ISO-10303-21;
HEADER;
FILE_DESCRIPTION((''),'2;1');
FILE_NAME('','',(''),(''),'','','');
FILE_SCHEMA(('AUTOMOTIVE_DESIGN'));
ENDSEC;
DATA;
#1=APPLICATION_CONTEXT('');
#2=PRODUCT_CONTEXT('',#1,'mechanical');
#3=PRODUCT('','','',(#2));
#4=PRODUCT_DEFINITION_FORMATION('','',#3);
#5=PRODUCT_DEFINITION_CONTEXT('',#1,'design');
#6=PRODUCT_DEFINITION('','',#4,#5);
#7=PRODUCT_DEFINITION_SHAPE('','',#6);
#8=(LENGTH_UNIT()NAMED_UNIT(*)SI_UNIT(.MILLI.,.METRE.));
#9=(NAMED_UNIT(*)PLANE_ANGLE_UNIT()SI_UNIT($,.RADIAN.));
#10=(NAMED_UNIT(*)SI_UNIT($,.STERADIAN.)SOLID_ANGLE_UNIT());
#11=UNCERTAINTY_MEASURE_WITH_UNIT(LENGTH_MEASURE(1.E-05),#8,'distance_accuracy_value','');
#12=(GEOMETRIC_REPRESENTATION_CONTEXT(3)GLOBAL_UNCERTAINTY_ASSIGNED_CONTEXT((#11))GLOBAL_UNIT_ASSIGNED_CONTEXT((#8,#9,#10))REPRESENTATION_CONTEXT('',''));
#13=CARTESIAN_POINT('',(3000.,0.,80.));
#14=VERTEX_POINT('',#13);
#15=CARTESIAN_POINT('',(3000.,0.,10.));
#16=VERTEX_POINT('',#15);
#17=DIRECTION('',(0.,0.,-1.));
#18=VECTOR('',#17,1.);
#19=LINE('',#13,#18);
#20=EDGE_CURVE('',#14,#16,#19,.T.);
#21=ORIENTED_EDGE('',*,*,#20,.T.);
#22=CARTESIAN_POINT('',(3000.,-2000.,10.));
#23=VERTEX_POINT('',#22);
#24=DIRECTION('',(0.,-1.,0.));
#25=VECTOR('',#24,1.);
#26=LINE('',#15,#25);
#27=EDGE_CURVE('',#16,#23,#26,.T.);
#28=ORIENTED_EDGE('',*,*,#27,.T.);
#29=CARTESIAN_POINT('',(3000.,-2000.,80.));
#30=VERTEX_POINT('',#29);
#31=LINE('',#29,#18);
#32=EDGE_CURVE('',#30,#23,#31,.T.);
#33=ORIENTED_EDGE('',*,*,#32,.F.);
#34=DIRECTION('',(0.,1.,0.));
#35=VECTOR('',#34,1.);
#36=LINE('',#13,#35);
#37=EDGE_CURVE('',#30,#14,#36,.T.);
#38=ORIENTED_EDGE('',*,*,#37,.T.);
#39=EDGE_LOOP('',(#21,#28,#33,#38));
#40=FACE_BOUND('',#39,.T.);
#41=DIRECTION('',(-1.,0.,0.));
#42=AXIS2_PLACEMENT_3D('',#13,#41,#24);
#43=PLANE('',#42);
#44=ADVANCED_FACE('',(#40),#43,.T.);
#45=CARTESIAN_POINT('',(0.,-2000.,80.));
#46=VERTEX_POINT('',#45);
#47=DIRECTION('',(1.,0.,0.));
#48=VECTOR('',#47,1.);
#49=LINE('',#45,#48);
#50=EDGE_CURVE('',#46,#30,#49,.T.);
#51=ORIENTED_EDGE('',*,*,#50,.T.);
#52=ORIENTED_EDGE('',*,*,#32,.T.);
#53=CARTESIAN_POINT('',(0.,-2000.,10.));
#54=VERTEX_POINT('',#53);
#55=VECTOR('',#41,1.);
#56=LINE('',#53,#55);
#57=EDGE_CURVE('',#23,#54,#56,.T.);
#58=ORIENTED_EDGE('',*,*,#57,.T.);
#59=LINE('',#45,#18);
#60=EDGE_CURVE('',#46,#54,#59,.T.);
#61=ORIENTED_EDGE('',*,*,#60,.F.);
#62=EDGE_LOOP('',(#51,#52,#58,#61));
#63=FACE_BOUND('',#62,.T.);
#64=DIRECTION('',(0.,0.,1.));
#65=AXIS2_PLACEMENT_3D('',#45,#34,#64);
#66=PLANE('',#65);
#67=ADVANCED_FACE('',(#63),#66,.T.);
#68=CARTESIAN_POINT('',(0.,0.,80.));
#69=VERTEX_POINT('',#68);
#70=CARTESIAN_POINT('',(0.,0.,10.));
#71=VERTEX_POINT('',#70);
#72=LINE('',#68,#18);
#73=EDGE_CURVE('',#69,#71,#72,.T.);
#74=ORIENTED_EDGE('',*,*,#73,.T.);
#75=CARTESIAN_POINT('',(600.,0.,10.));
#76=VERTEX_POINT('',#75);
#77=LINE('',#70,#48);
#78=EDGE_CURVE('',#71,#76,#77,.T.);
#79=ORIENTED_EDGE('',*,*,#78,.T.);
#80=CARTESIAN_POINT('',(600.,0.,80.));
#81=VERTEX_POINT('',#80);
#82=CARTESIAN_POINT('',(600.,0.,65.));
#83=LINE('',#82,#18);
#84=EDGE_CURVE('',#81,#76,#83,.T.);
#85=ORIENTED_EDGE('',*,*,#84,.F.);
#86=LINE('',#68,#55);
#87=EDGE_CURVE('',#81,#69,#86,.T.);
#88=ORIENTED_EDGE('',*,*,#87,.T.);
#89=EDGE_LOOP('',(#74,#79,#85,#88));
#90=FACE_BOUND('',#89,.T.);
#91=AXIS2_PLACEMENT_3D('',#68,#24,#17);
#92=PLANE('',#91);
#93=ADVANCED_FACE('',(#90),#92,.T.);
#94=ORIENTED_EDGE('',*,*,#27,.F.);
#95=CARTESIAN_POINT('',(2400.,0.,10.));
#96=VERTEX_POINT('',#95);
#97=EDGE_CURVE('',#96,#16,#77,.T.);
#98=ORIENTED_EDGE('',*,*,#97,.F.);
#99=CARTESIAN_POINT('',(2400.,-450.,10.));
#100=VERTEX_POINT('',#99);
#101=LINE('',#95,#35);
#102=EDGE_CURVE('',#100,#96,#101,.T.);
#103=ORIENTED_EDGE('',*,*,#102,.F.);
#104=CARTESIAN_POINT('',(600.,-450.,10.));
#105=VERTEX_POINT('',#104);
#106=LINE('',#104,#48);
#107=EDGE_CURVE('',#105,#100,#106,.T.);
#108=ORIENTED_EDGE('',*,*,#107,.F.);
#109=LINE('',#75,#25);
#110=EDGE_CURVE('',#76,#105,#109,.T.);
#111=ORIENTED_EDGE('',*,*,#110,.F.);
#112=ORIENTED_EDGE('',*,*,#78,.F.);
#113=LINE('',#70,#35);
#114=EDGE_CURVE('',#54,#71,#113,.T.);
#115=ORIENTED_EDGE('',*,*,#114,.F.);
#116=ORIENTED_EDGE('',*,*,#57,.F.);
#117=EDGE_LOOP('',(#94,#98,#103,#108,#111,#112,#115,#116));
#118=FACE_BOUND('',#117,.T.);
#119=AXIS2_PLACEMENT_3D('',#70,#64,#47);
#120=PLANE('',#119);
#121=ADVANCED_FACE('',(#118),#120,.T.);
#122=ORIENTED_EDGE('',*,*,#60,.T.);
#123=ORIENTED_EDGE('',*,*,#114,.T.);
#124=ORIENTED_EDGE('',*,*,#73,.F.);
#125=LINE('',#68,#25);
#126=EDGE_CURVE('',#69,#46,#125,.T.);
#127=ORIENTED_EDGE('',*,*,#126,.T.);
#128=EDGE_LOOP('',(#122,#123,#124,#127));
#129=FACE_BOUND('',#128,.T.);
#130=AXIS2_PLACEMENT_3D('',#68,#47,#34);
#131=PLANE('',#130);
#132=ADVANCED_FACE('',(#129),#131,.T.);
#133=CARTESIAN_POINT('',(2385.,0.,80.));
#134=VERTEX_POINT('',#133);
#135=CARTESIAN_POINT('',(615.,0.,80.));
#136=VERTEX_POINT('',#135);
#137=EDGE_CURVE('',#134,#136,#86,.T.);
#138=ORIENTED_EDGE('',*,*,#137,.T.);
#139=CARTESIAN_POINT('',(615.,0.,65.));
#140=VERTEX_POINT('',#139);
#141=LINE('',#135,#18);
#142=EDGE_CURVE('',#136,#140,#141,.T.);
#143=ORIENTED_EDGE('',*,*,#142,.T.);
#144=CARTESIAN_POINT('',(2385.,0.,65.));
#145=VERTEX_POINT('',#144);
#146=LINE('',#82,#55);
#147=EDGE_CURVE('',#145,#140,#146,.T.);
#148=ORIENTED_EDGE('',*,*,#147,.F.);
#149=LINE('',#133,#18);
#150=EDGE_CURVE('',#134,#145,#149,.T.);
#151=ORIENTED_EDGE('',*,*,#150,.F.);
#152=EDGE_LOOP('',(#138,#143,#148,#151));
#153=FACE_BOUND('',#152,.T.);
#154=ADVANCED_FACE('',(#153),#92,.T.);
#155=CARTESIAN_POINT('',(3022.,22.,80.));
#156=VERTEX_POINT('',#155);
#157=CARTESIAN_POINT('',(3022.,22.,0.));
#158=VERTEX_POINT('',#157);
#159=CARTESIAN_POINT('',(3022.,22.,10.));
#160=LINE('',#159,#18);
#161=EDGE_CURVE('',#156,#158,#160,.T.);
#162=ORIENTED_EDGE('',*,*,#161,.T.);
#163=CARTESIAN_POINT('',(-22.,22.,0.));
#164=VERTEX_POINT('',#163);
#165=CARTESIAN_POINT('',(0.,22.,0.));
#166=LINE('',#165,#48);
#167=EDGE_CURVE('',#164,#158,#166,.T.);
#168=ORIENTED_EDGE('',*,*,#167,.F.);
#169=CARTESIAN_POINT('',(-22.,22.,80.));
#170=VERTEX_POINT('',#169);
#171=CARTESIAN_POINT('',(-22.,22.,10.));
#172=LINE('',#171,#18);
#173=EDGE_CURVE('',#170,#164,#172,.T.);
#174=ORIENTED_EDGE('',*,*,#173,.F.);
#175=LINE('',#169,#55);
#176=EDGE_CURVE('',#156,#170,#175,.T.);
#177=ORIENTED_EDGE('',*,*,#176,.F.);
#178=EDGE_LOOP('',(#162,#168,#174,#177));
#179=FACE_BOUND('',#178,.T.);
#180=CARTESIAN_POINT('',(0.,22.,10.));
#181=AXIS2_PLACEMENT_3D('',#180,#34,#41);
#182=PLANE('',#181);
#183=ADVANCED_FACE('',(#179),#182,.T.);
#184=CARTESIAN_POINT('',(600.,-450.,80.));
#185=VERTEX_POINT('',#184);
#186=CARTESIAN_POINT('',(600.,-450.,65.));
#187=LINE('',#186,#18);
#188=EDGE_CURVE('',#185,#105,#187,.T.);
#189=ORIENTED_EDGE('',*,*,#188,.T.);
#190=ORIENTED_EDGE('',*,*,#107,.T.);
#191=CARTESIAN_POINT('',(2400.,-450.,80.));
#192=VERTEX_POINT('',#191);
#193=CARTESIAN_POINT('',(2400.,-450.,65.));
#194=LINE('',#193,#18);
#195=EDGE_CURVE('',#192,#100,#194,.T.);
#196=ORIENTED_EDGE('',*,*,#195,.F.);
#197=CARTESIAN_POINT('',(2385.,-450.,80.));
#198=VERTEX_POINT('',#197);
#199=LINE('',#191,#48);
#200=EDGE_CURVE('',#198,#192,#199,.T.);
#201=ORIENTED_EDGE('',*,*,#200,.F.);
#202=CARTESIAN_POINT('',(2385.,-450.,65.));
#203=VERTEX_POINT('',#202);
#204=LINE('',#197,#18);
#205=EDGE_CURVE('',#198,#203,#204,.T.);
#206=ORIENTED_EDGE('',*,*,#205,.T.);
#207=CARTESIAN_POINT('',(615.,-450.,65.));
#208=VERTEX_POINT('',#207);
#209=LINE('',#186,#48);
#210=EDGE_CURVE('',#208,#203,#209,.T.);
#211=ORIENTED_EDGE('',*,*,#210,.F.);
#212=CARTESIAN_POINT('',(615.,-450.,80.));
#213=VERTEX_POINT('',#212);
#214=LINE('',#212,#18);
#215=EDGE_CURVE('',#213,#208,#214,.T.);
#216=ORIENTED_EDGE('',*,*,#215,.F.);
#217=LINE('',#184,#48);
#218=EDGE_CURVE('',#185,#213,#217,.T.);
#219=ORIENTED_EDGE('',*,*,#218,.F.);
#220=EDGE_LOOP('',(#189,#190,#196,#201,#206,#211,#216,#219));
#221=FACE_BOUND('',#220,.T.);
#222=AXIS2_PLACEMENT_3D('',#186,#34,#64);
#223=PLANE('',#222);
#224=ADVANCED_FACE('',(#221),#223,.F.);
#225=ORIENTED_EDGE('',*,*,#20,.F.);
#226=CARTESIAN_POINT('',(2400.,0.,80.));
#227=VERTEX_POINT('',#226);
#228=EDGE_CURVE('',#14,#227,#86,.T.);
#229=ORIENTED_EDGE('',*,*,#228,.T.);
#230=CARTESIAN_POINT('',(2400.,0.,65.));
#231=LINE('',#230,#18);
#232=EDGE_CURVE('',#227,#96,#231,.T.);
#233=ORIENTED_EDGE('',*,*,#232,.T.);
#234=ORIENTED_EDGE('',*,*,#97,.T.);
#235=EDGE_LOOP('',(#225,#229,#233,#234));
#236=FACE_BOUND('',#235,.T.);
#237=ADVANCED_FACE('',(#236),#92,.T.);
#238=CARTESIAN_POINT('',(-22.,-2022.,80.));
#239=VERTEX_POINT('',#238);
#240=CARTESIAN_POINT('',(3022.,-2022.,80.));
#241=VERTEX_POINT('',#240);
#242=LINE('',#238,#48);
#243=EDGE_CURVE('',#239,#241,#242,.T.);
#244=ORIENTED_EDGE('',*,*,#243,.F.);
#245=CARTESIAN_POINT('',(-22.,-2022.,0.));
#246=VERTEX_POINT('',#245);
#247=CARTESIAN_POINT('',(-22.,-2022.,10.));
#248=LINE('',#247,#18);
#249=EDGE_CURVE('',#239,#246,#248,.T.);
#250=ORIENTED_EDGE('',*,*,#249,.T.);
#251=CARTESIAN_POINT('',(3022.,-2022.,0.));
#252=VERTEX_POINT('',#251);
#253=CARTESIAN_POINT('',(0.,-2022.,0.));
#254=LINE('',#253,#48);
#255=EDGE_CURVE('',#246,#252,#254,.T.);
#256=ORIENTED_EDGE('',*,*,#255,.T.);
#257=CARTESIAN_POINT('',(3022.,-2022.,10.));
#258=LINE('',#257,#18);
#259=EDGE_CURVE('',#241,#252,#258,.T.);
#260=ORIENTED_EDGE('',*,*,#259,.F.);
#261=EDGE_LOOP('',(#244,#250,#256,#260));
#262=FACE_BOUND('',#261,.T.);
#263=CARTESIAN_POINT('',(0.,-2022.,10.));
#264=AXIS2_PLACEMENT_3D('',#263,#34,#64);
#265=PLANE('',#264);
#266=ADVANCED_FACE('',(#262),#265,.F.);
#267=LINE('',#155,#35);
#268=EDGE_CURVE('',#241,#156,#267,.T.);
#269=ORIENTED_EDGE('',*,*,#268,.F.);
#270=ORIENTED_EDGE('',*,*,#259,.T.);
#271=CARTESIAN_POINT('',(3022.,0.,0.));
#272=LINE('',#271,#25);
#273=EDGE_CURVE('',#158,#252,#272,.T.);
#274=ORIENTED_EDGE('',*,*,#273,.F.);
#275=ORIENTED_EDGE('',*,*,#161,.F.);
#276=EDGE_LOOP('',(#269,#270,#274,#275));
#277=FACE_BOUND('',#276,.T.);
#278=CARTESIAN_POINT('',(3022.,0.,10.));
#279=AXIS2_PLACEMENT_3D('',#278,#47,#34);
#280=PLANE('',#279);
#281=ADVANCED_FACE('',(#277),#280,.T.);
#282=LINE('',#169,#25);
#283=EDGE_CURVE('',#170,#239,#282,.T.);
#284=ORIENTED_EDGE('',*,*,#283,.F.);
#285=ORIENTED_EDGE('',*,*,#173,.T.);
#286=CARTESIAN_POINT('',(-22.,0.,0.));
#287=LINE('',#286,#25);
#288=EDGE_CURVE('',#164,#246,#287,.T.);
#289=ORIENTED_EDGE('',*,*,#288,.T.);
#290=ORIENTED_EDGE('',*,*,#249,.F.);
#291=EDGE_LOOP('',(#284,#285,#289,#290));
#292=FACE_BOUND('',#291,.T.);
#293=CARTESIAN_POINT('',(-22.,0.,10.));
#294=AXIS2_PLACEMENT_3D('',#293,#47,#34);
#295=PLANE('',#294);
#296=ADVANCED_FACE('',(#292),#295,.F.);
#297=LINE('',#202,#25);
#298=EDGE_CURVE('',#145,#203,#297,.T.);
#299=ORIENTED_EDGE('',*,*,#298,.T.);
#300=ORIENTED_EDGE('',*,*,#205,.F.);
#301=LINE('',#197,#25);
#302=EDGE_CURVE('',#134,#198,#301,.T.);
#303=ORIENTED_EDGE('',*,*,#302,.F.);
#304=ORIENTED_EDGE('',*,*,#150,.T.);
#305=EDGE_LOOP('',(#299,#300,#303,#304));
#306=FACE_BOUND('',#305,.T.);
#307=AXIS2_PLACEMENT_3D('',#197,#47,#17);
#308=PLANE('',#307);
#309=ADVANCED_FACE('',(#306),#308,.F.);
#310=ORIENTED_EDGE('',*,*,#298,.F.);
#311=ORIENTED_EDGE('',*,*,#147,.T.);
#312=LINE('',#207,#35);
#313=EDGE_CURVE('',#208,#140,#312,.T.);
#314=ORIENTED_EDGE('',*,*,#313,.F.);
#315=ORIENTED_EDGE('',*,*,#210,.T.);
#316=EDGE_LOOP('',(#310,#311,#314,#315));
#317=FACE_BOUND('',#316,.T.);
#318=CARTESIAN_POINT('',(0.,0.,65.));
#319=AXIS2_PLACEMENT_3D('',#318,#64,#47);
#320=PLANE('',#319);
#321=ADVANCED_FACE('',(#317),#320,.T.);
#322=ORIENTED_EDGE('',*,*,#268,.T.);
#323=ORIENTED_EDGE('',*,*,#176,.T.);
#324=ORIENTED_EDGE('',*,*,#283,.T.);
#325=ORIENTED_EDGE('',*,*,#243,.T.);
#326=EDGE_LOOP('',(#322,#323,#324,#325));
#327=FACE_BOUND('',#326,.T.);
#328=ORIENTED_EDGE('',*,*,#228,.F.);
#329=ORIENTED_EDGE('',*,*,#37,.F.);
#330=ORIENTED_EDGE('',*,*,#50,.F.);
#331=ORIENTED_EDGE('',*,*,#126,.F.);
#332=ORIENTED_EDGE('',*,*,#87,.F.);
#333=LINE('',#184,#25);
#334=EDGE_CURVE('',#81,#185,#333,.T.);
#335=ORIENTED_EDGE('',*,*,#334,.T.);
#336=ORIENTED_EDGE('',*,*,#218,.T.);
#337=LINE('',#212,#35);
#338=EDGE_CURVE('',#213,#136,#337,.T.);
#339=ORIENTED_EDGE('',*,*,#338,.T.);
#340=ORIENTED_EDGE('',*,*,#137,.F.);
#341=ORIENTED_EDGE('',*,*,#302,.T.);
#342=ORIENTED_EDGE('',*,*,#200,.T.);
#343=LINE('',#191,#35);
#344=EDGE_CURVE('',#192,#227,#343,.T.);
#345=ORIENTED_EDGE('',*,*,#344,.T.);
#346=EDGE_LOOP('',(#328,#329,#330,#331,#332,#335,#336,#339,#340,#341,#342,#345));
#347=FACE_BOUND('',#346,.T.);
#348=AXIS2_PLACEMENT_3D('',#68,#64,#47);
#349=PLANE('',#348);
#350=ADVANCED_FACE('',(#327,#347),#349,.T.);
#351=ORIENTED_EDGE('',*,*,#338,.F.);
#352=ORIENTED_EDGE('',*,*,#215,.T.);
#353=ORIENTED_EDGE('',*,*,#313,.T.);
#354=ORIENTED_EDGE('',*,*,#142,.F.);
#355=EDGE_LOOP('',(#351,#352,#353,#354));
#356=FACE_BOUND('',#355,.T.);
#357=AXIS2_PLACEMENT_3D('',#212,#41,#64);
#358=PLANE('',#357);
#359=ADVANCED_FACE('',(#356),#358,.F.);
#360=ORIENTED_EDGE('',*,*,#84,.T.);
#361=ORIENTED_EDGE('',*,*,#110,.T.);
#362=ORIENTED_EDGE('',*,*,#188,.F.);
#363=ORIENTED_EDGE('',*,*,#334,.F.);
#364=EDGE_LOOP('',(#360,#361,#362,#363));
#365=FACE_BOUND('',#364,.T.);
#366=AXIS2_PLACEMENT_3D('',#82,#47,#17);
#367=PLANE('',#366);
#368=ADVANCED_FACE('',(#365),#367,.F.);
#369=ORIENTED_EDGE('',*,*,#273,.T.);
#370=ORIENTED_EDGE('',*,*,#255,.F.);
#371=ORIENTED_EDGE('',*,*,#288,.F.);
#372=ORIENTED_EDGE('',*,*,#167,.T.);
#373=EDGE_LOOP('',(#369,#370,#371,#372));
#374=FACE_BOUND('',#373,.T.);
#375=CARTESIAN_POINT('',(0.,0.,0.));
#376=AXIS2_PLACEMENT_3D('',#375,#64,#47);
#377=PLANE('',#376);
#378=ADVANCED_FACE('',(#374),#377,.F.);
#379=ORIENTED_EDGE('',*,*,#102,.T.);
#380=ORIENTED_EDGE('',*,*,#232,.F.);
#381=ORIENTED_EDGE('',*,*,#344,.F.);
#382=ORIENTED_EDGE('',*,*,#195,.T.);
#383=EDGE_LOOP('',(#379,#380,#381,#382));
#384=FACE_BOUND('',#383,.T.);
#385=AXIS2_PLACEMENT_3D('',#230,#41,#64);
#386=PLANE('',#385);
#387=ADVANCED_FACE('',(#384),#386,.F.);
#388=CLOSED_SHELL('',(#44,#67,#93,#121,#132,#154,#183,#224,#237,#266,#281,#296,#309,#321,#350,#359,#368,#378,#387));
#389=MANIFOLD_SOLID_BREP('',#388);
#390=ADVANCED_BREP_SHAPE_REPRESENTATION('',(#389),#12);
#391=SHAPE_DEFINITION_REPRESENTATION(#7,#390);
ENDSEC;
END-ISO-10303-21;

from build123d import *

# Parameters (mm, degrees)
SKETCH1_W           = 3044
SKETCH1_H           = 2044
BOSS_EXTRUDE1_DEPTH = 10
SKETCH1_3_W         = 3044
SKETCH1_3_H         = 2044
SKETCH1_3_W_2       = 3000
SKETCH1_3_H_2       = 2000
BOSS_EXTRUDE2_DEPTH = 80
SKETCH7_W           = 1800
SKETCH7_H           = 450
BOSS_EXTRUDE3_DEPTH = 55
SKETCH8_W           = 15
SKETCH8_H           = 450
BOSS_EXTRUDE4_DEPTH = 15


with BuildPart() as part:
    # Sketch1 → Boss-Extrude1 (new body)
    with BuildSketch(Plane.XY):
        with Locations((1500, -1000)):
            Rectangle(SKETCH1_W, SKETCH1_H)
    extrude(amount=BOSS_EXTRUDE1_DEPTH)

    # Sketch1<3> → Boss-Extrude2 (add)
    with BuildSketch(Plane.XY):
        with Locations((1500, -1000)):
            Rectangle(SKETCH1_3_W, SKETCH1_3_H)
        with Locations((1500, -1000)):
            Rectangle(SKETCH1_3_W_2, SKETCH1_3_H_2, mode=Mode.SUBTRACT)
    extrude(amount=BOSS_EXTRUDE2_DEPTH)

    # Sketch7 → Boss-Extrude3 (add)
    with BuildSketch(Plane.XY.offset(10)):
        with Locations((1500, -225)):
            Rectangle(SKETCH7_W, SKETCH7_H)
    extrude(amount=BOSS_EXTRUDE3_DEPTH)

    # Sketch8 → Boss-Extrude4 (add)
    with BuildSketch(Plane.XY.offset(65)):
        with Locations((607.5, -225)):
            Rectangle(SKETCH8_W, SKETCH8_H)
        with Locations((2392.5, -225)):
            Rectangle(SKETCH8_W, SKETCH8_H)
    extrude(amount=BOSS_EXTRUDE4_DEPTH)


solid = part.part
